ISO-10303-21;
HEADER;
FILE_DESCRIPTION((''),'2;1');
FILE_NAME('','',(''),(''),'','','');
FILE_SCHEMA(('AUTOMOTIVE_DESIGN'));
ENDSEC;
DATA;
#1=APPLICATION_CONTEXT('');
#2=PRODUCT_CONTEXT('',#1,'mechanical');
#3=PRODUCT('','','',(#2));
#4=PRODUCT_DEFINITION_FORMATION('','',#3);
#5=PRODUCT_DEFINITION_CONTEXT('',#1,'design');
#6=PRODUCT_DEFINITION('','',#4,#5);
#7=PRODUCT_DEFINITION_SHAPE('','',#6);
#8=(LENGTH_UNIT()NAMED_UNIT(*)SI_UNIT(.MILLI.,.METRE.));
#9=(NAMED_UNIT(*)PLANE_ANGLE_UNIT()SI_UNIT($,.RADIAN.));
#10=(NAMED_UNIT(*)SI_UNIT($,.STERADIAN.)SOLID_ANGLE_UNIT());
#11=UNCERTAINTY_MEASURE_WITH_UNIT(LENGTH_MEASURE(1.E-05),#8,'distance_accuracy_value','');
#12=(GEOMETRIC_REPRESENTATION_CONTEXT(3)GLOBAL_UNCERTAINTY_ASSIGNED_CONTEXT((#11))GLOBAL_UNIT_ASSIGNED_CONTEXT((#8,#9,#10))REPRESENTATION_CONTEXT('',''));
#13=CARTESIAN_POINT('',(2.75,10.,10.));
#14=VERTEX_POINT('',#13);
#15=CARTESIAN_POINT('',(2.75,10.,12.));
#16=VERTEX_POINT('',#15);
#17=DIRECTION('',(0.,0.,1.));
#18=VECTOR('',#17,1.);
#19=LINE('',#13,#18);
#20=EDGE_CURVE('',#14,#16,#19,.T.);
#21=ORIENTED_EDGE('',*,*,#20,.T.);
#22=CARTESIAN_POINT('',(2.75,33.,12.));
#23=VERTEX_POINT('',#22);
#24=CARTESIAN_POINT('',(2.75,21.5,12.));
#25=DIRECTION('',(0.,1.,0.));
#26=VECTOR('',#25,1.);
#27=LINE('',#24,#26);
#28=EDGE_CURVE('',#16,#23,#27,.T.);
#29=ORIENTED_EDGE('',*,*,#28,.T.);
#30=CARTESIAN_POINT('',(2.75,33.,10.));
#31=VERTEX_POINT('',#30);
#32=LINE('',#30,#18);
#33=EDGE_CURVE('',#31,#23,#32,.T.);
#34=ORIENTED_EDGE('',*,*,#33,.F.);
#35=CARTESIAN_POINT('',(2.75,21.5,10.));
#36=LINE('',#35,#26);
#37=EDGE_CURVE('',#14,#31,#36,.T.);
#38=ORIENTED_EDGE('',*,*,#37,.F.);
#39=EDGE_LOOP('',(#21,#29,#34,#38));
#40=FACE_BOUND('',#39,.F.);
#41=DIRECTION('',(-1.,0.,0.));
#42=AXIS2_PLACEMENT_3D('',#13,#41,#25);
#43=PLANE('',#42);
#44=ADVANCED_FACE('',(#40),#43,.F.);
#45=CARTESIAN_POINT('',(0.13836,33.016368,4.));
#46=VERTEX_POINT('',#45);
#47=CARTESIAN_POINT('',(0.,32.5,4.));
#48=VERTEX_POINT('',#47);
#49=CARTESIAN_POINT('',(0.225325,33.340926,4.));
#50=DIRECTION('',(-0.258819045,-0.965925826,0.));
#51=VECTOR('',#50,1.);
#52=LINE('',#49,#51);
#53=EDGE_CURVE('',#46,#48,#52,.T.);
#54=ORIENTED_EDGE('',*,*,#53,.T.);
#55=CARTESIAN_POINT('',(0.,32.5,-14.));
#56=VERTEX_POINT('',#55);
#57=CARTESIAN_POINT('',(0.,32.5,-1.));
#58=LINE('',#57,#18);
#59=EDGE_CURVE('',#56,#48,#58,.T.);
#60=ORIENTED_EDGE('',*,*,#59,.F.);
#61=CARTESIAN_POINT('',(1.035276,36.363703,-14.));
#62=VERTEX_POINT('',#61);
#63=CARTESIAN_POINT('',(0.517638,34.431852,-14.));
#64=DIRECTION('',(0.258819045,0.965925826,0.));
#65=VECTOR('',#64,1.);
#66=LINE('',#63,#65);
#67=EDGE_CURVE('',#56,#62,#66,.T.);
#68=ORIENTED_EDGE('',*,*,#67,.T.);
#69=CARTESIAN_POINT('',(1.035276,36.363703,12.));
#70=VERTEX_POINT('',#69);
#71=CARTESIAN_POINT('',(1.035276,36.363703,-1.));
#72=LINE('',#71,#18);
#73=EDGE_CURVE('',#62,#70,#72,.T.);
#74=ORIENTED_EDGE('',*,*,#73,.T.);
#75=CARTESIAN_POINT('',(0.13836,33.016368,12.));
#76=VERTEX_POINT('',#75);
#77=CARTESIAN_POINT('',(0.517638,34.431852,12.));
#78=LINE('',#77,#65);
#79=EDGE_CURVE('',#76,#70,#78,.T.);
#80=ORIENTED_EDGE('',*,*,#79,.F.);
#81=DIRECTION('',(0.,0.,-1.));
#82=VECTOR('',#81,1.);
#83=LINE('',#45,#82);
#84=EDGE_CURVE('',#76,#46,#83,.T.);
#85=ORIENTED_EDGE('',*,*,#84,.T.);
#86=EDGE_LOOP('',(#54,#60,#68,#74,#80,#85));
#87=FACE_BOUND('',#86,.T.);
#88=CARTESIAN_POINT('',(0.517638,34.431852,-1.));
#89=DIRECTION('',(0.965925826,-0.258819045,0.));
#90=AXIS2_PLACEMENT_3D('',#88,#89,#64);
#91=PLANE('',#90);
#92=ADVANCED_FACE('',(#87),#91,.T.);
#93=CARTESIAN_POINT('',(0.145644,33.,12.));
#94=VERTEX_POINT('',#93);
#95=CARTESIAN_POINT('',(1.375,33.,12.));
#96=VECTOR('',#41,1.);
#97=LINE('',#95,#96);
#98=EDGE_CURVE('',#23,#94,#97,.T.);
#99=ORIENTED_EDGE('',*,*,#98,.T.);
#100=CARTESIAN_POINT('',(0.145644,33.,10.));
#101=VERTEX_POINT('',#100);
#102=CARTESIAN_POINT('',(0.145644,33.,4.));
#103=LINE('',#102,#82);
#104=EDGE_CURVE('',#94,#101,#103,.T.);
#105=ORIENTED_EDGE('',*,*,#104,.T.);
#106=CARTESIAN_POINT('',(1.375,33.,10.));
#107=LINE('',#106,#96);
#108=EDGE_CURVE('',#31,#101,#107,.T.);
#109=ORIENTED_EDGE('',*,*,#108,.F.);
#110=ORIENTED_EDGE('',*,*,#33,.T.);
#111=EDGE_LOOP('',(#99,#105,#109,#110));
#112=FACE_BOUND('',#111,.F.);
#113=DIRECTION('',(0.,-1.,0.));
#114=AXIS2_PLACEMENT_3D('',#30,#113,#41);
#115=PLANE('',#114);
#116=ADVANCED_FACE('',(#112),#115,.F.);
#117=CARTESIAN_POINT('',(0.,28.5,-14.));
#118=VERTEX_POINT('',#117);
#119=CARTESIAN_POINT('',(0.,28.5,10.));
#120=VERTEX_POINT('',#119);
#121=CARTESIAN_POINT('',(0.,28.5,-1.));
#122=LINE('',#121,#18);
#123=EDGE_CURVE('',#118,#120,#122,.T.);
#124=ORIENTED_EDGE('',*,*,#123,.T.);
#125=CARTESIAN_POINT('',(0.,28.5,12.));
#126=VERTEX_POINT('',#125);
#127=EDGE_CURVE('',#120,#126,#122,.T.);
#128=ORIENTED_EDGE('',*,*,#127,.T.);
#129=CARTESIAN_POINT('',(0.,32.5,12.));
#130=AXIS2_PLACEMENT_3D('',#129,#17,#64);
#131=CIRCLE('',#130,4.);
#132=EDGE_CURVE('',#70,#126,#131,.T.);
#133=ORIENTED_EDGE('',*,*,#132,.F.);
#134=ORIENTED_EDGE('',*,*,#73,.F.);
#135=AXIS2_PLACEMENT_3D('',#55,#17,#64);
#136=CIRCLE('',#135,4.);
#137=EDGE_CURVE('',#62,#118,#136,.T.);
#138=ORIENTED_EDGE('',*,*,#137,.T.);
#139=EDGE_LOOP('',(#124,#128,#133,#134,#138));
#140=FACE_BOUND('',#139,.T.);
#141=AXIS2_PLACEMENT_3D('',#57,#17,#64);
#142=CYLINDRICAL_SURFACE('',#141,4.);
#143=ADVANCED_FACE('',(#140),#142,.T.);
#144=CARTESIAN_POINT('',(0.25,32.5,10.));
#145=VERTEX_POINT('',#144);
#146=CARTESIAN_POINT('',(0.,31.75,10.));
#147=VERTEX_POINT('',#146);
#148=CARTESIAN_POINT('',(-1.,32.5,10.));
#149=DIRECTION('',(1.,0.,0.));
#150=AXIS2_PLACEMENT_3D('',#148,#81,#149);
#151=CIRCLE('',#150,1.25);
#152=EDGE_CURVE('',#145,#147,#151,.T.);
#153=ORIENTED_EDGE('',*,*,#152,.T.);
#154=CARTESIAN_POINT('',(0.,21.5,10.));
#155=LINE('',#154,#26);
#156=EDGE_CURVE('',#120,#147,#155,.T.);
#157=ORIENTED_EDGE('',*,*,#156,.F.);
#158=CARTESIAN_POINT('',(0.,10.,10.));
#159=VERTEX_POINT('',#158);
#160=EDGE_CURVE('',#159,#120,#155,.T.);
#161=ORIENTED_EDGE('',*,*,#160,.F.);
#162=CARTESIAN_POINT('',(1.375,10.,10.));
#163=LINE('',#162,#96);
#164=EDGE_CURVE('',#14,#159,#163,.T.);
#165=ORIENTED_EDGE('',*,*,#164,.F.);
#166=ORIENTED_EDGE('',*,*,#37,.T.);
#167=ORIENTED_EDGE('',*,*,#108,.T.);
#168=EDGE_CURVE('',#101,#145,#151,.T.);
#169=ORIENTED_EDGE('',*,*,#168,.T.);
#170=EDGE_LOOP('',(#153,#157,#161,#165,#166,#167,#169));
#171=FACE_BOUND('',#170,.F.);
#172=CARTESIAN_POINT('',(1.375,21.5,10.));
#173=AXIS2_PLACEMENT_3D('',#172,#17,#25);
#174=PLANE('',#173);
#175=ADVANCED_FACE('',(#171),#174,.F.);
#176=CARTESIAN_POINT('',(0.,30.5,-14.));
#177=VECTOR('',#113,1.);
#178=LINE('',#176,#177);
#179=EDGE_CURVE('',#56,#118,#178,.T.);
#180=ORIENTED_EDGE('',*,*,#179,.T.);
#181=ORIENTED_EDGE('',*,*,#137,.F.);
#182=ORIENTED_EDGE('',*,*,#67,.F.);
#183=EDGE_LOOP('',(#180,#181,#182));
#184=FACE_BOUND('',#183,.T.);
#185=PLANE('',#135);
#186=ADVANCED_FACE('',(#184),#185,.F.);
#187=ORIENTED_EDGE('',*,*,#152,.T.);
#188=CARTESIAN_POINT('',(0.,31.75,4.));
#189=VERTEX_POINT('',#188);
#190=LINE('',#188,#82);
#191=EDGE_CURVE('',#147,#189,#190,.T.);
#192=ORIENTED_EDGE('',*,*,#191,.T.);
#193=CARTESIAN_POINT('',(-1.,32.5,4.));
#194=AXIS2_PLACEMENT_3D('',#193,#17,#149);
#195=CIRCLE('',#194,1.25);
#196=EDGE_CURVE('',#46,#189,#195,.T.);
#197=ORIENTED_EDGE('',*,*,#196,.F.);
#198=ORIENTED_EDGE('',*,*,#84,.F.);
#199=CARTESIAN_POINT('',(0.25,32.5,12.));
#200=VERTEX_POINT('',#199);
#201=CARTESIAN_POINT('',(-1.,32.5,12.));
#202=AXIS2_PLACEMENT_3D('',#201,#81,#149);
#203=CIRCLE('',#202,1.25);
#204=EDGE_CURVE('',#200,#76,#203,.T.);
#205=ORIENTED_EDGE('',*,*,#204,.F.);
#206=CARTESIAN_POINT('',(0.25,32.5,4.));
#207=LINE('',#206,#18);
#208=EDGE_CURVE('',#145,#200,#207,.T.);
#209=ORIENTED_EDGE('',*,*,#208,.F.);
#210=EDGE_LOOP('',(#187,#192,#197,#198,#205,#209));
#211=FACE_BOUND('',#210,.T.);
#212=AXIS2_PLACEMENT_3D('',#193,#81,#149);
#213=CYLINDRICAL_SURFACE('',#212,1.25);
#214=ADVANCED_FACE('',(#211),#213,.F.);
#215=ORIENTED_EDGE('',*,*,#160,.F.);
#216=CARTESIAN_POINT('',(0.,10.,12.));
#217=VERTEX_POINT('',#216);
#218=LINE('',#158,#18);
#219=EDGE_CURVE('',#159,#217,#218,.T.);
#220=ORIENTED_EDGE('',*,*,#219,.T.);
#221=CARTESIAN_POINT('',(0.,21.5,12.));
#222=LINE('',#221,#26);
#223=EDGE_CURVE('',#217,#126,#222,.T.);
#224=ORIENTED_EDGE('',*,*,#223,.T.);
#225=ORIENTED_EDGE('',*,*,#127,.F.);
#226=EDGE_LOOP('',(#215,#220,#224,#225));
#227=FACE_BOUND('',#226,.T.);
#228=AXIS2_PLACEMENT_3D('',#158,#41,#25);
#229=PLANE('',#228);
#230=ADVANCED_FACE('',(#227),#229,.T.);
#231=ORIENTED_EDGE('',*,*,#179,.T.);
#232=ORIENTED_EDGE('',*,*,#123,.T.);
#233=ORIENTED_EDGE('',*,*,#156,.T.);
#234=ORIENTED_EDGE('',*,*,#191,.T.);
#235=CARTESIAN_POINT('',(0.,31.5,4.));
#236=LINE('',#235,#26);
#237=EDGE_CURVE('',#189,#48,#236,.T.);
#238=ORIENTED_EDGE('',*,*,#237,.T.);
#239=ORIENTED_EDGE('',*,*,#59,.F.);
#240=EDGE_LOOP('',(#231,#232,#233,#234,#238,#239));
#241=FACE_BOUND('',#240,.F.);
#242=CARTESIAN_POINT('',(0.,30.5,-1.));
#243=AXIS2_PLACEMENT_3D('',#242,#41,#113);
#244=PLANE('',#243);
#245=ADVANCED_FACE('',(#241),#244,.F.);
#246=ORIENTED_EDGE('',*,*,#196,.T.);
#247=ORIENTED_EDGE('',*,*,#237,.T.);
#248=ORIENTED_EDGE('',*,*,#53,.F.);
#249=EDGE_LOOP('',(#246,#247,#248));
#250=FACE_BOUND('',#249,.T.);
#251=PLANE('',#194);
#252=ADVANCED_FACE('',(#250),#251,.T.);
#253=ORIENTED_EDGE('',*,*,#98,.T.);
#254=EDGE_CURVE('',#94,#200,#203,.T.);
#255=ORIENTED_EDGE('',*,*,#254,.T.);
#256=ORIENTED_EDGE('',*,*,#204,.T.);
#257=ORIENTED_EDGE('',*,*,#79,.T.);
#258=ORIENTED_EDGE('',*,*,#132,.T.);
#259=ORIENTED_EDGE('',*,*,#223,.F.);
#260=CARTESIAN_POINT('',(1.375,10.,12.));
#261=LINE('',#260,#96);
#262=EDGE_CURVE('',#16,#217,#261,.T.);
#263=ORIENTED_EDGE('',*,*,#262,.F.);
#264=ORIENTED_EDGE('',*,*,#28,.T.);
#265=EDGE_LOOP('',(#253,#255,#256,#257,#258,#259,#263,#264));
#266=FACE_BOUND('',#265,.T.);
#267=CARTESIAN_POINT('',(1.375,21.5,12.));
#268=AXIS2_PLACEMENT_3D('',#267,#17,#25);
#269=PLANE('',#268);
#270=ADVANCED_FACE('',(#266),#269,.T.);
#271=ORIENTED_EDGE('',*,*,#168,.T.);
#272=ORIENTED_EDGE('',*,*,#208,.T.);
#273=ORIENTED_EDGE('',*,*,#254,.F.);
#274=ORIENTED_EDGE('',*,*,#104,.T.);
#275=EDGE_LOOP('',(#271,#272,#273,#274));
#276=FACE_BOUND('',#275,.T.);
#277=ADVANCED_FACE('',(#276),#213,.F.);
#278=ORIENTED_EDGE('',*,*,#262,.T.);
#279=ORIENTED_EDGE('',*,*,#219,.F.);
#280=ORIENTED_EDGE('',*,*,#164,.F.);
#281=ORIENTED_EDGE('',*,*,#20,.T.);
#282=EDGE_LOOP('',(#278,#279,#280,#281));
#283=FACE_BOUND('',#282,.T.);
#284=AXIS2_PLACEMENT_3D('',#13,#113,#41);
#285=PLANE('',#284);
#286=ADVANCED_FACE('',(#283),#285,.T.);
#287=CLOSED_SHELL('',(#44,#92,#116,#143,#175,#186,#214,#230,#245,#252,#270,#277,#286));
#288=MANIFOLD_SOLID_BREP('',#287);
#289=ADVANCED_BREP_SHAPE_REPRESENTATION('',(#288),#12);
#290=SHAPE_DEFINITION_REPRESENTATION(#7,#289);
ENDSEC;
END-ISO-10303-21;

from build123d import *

# Parameters (mm, degrees)
CYLINDER006_R               = 1.25
CYLINDER006_DEPTH           = 10
BOX004_W                    = 23
BOX004_H                    = 2.75
BOX004_DEPTH                = 2
CYLINDER001_W               = 4
CYLINDER001_H               = 26
CYLINDER001_ANGLE           = 195
CYLINDER001_PLACEMENT_ANGLE = 75


with BuildPart() as b_nw:
    # Cylinder006 → Cylinder006 (new body)
    with BuildSketch(Plane(origin=(-1, 12.5, 4), x_dir=(1, 0, 0), z_dir=(0, 0, 1))):
        Circle(CYLINDER006_R)
    extrude(amount=CYLINDER006_DEPTH)


with BuildPart() as w012:
    # Box004 → Box004 (new body)
    with BuildSketch(Plane(origin=(2.75, -10, 10), x_dir=(0, 1, 0), z_dir=(0, 0, 1))):
        with Locations((11.5, 1.375)):
            Rectangle(BOX004_W, BOX004_H)
    extrude(amount=BOX004_DEPTH)


with BuildPart() as cut003_w:
    # Cylinder001 → Cylinder001 (revolve)
    with BuildSketch(Plane.XZ):
        with Locations((2, 13)):
            Rectangle(CYLINDER001_W, CYLINDER001_H)
    revolve(axis=Axis((0, 0, 0), (0, 0, 1)), revolution_arc=CYLINDER001_ANGLE)


with BuildPart() as cut003_w_1:
    # Cylinder001 placement: moved
    add(cut003_w.part.moved(Location((0, 12.5, -14))).rotate(Axis((0, 12.5, -14), (0, 0, 1)), CYLINDER001_PLACEMENT_ANGLE))

    # Fusion003: union W012
    add(w012.part)

    # Cut003: cut B_NW
    add(b_nw.part, mode=Mode.SUBTRACT)


with BuildPart() as cut003_w_2:
    # Cut003 placement: moved
    add(cut003_w_1.part.moved(Location((0, 20, 0))))


solid = cut003_w_2.part
